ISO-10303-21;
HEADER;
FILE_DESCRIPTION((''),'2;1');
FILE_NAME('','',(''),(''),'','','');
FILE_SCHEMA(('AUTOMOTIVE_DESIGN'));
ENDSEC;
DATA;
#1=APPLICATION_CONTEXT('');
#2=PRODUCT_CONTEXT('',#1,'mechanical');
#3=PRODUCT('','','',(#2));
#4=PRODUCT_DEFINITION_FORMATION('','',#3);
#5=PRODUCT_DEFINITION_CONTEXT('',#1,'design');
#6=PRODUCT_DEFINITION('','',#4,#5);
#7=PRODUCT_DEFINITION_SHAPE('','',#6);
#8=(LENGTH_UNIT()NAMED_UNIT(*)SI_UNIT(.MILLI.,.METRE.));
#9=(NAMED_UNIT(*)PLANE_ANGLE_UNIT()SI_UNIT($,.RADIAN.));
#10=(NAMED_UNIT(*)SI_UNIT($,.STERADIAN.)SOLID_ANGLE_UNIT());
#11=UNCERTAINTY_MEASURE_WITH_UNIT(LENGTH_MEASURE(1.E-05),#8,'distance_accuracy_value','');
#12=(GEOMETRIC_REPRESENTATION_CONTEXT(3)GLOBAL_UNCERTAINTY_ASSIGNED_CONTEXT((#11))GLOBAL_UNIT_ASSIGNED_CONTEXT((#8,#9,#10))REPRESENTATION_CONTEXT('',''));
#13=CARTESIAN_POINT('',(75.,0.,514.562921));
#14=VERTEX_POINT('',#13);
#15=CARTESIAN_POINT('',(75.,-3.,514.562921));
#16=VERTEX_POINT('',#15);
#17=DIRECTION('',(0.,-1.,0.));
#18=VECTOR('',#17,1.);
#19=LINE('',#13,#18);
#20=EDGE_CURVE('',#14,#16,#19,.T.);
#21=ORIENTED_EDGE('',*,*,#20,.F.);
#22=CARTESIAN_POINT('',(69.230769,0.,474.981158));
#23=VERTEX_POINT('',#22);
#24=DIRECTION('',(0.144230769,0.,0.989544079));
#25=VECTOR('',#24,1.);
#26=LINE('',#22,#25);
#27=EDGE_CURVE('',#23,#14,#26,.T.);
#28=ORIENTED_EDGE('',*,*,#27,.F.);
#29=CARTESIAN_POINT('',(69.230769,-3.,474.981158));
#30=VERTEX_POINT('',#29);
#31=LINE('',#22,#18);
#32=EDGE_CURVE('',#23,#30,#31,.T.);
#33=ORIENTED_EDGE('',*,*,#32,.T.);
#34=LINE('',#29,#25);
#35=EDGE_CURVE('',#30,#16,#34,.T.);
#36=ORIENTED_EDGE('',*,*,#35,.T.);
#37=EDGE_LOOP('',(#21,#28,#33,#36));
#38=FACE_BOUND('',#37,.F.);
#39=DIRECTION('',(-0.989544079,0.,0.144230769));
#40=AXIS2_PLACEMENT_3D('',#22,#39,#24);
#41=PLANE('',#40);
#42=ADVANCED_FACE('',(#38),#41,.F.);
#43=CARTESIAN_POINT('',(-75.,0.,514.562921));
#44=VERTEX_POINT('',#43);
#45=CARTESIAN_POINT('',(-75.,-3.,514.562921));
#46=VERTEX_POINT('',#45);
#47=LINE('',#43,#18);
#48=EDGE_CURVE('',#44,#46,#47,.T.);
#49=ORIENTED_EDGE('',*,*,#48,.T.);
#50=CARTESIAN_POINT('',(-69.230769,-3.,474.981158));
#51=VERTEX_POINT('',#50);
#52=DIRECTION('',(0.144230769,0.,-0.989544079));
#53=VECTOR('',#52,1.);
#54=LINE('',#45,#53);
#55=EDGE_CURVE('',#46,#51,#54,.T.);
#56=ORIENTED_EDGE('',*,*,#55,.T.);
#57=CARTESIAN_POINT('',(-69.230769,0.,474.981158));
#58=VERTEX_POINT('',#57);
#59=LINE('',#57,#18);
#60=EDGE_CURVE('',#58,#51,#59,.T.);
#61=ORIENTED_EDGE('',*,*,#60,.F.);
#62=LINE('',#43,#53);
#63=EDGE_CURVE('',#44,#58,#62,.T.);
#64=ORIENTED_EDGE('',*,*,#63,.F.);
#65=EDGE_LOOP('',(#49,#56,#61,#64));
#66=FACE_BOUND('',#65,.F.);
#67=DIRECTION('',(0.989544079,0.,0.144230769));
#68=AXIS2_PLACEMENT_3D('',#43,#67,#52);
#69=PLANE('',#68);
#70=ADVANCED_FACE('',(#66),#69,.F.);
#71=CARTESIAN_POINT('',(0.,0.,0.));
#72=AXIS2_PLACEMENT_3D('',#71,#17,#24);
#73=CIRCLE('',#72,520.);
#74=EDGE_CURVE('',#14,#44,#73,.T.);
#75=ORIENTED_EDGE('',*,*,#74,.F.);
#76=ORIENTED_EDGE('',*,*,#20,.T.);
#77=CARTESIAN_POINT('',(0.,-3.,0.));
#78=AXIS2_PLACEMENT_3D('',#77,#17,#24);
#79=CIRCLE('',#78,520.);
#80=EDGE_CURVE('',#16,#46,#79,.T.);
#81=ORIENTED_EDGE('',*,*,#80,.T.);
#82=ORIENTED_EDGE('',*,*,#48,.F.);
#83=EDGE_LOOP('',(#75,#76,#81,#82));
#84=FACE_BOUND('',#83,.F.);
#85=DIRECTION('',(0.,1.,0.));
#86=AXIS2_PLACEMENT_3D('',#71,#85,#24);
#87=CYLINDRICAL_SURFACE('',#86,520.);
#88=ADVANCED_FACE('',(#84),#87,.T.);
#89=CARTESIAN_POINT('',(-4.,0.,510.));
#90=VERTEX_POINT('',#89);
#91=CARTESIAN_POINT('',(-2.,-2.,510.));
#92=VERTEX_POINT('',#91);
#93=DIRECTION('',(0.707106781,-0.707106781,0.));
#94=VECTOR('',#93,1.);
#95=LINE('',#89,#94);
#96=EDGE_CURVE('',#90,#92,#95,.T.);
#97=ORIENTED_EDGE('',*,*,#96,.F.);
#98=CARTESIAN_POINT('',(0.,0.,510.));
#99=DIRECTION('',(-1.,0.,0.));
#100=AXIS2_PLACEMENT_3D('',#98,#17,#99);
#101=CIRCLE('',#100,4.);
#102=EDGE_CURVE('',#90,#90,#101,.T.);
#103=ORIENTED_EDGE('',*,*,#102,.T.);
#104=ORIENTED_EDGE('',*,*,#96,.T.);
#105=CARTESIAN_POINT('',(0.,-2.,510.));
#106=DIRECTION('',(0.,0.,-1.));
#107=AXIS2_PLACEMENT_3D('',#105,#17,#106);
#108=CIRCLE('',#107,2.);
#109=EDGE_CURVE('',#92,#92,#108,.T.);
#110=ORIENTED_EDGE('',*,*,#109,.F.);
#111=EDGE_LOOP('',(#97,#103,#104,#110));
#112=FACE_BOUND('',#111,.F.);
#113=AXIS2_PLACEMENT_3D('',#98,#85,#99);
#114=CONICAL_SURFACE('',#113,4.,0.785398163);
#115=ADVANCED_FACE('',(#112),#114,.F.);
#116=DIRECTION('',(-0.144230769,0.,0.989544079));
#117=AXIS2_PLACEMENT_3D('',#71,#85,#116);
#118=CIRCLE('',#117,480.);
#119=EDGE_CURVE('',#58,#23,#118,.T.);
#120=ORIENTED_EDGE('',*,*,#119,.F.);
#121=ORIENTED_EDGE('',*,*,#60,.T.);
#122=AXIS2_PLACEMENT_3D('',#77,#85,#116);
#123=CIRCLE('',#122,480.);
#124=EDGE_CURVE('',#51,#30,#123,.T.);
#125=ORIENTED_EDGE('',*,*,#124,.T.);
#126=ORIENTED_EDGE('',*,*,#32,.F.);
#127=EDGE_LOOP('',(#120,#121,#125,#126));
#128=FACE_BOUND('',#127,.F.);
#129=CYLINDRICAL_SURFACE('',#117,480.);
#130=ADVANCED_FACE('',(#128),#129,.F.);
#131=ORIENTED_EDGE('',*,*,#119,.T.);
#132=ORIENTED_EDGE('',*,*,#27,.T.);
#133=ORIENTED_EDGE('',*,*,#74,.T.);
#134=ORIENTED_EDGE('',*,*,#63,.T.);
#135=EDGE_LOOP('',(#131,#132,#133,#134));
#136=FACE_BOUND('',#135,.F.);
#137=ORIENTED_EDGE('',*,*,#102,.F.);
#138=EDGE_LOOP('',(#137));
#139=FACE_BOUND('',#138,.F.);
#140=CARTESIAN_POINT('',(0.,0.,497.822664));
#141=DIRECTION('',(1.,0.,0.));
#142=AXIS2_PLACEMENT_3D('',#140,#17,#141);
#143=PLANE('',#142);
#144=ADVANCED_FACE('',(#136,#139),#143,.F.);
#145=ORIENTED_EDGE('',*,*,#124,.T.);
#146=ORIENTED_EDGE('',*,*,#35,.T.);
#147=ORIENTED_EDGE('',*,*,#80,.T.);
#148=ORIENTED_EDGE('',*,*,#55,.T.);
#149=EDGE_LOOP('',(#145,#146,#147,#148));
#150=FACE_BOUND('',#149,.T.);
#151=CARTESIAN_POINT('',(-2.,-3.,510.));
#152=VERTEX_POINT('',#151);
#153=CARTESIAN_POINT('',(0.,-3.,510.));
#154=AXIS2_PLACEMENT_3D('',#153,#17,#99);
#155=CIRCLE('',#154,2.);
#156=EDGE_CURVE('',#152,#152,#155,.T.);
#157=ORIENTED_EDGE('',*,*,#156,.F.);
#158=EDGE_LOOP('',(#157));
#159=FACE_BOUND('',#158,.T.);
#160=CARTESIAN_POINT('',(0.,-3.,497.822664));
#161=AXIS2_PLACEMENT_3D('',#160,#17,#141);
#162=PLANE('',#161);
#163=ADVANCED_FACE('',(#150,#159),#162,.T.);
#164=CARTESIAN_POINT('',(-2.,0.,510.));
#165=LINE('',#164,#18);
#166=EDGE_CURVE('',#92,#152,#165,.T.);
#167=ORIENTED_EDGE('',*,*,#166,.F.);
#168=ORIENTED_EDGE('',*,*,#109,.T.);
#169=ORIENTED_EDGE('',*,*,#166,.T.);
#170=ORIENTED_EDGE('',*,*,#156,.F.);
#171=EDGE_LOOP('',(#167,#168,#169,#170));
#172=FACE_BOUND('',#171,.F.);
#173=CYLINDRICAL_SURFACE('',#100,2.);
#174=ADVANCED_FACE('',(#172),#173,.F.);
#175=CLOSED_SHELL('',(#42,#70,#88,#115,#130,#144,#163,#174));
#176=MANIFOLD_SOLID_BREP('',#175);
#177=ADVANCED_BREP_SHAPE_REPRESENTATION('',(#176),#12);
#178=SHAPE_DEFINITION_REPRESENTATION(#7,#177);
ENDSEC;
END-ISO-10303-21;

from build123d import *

# Parameters (mm, degrees)
F0_R           = 2
F1_DEPTH       = 3
F2_D           = 4
F2_CSINK_D     = 8
F2_CSINK_ANGLE = 90


with BuildPart() as f1:
    # F0 (on Front) → F1 (new body)
    with BuildSketch(Plane.XZ):
        with BuildLine():
            ThreePointArc((-69.2307692308, 474.9811581439), (0, 480), (69.2307692308, 474.9811581439))
            Line((69.2307692308, 474.9811581439), (75, 514.5629213226))
            ThreePointArc((75, 514.5629213226), (0, 520), (-75, 514.5629213226))
            Line((-75, 514.5629213226), (-69.2307692308, 474.9811581439))
        make_face()
        with Locations((-45, 508.0108266563)):
            Circle(F0_R, mode=Mode.SUBTRACT)
        with Locations((45, 508.0108266563)):
            Circle(F0_R, mode=Mode.SUBTRACT)
        with Locations((-45, 508.0108266563)):
            Circle(F0_R)
        with Locations((45, 508.0108266563)):
            Circle(F0_R)
    extrude(amount=F1_DEPTH)

    # F2 (through all)
    with Locations(Plane(origin=(0, 0, 0), x_dir=(1, 0, 0), z_dir=(0, 1, 0))):
        with Locations((0, -510)):
            CounterSinkHole(F2_D / 2, F2_CSINK_D / 2, counter_sink_angle=F2_CSINK_ANGLE)


solid = f1.part
